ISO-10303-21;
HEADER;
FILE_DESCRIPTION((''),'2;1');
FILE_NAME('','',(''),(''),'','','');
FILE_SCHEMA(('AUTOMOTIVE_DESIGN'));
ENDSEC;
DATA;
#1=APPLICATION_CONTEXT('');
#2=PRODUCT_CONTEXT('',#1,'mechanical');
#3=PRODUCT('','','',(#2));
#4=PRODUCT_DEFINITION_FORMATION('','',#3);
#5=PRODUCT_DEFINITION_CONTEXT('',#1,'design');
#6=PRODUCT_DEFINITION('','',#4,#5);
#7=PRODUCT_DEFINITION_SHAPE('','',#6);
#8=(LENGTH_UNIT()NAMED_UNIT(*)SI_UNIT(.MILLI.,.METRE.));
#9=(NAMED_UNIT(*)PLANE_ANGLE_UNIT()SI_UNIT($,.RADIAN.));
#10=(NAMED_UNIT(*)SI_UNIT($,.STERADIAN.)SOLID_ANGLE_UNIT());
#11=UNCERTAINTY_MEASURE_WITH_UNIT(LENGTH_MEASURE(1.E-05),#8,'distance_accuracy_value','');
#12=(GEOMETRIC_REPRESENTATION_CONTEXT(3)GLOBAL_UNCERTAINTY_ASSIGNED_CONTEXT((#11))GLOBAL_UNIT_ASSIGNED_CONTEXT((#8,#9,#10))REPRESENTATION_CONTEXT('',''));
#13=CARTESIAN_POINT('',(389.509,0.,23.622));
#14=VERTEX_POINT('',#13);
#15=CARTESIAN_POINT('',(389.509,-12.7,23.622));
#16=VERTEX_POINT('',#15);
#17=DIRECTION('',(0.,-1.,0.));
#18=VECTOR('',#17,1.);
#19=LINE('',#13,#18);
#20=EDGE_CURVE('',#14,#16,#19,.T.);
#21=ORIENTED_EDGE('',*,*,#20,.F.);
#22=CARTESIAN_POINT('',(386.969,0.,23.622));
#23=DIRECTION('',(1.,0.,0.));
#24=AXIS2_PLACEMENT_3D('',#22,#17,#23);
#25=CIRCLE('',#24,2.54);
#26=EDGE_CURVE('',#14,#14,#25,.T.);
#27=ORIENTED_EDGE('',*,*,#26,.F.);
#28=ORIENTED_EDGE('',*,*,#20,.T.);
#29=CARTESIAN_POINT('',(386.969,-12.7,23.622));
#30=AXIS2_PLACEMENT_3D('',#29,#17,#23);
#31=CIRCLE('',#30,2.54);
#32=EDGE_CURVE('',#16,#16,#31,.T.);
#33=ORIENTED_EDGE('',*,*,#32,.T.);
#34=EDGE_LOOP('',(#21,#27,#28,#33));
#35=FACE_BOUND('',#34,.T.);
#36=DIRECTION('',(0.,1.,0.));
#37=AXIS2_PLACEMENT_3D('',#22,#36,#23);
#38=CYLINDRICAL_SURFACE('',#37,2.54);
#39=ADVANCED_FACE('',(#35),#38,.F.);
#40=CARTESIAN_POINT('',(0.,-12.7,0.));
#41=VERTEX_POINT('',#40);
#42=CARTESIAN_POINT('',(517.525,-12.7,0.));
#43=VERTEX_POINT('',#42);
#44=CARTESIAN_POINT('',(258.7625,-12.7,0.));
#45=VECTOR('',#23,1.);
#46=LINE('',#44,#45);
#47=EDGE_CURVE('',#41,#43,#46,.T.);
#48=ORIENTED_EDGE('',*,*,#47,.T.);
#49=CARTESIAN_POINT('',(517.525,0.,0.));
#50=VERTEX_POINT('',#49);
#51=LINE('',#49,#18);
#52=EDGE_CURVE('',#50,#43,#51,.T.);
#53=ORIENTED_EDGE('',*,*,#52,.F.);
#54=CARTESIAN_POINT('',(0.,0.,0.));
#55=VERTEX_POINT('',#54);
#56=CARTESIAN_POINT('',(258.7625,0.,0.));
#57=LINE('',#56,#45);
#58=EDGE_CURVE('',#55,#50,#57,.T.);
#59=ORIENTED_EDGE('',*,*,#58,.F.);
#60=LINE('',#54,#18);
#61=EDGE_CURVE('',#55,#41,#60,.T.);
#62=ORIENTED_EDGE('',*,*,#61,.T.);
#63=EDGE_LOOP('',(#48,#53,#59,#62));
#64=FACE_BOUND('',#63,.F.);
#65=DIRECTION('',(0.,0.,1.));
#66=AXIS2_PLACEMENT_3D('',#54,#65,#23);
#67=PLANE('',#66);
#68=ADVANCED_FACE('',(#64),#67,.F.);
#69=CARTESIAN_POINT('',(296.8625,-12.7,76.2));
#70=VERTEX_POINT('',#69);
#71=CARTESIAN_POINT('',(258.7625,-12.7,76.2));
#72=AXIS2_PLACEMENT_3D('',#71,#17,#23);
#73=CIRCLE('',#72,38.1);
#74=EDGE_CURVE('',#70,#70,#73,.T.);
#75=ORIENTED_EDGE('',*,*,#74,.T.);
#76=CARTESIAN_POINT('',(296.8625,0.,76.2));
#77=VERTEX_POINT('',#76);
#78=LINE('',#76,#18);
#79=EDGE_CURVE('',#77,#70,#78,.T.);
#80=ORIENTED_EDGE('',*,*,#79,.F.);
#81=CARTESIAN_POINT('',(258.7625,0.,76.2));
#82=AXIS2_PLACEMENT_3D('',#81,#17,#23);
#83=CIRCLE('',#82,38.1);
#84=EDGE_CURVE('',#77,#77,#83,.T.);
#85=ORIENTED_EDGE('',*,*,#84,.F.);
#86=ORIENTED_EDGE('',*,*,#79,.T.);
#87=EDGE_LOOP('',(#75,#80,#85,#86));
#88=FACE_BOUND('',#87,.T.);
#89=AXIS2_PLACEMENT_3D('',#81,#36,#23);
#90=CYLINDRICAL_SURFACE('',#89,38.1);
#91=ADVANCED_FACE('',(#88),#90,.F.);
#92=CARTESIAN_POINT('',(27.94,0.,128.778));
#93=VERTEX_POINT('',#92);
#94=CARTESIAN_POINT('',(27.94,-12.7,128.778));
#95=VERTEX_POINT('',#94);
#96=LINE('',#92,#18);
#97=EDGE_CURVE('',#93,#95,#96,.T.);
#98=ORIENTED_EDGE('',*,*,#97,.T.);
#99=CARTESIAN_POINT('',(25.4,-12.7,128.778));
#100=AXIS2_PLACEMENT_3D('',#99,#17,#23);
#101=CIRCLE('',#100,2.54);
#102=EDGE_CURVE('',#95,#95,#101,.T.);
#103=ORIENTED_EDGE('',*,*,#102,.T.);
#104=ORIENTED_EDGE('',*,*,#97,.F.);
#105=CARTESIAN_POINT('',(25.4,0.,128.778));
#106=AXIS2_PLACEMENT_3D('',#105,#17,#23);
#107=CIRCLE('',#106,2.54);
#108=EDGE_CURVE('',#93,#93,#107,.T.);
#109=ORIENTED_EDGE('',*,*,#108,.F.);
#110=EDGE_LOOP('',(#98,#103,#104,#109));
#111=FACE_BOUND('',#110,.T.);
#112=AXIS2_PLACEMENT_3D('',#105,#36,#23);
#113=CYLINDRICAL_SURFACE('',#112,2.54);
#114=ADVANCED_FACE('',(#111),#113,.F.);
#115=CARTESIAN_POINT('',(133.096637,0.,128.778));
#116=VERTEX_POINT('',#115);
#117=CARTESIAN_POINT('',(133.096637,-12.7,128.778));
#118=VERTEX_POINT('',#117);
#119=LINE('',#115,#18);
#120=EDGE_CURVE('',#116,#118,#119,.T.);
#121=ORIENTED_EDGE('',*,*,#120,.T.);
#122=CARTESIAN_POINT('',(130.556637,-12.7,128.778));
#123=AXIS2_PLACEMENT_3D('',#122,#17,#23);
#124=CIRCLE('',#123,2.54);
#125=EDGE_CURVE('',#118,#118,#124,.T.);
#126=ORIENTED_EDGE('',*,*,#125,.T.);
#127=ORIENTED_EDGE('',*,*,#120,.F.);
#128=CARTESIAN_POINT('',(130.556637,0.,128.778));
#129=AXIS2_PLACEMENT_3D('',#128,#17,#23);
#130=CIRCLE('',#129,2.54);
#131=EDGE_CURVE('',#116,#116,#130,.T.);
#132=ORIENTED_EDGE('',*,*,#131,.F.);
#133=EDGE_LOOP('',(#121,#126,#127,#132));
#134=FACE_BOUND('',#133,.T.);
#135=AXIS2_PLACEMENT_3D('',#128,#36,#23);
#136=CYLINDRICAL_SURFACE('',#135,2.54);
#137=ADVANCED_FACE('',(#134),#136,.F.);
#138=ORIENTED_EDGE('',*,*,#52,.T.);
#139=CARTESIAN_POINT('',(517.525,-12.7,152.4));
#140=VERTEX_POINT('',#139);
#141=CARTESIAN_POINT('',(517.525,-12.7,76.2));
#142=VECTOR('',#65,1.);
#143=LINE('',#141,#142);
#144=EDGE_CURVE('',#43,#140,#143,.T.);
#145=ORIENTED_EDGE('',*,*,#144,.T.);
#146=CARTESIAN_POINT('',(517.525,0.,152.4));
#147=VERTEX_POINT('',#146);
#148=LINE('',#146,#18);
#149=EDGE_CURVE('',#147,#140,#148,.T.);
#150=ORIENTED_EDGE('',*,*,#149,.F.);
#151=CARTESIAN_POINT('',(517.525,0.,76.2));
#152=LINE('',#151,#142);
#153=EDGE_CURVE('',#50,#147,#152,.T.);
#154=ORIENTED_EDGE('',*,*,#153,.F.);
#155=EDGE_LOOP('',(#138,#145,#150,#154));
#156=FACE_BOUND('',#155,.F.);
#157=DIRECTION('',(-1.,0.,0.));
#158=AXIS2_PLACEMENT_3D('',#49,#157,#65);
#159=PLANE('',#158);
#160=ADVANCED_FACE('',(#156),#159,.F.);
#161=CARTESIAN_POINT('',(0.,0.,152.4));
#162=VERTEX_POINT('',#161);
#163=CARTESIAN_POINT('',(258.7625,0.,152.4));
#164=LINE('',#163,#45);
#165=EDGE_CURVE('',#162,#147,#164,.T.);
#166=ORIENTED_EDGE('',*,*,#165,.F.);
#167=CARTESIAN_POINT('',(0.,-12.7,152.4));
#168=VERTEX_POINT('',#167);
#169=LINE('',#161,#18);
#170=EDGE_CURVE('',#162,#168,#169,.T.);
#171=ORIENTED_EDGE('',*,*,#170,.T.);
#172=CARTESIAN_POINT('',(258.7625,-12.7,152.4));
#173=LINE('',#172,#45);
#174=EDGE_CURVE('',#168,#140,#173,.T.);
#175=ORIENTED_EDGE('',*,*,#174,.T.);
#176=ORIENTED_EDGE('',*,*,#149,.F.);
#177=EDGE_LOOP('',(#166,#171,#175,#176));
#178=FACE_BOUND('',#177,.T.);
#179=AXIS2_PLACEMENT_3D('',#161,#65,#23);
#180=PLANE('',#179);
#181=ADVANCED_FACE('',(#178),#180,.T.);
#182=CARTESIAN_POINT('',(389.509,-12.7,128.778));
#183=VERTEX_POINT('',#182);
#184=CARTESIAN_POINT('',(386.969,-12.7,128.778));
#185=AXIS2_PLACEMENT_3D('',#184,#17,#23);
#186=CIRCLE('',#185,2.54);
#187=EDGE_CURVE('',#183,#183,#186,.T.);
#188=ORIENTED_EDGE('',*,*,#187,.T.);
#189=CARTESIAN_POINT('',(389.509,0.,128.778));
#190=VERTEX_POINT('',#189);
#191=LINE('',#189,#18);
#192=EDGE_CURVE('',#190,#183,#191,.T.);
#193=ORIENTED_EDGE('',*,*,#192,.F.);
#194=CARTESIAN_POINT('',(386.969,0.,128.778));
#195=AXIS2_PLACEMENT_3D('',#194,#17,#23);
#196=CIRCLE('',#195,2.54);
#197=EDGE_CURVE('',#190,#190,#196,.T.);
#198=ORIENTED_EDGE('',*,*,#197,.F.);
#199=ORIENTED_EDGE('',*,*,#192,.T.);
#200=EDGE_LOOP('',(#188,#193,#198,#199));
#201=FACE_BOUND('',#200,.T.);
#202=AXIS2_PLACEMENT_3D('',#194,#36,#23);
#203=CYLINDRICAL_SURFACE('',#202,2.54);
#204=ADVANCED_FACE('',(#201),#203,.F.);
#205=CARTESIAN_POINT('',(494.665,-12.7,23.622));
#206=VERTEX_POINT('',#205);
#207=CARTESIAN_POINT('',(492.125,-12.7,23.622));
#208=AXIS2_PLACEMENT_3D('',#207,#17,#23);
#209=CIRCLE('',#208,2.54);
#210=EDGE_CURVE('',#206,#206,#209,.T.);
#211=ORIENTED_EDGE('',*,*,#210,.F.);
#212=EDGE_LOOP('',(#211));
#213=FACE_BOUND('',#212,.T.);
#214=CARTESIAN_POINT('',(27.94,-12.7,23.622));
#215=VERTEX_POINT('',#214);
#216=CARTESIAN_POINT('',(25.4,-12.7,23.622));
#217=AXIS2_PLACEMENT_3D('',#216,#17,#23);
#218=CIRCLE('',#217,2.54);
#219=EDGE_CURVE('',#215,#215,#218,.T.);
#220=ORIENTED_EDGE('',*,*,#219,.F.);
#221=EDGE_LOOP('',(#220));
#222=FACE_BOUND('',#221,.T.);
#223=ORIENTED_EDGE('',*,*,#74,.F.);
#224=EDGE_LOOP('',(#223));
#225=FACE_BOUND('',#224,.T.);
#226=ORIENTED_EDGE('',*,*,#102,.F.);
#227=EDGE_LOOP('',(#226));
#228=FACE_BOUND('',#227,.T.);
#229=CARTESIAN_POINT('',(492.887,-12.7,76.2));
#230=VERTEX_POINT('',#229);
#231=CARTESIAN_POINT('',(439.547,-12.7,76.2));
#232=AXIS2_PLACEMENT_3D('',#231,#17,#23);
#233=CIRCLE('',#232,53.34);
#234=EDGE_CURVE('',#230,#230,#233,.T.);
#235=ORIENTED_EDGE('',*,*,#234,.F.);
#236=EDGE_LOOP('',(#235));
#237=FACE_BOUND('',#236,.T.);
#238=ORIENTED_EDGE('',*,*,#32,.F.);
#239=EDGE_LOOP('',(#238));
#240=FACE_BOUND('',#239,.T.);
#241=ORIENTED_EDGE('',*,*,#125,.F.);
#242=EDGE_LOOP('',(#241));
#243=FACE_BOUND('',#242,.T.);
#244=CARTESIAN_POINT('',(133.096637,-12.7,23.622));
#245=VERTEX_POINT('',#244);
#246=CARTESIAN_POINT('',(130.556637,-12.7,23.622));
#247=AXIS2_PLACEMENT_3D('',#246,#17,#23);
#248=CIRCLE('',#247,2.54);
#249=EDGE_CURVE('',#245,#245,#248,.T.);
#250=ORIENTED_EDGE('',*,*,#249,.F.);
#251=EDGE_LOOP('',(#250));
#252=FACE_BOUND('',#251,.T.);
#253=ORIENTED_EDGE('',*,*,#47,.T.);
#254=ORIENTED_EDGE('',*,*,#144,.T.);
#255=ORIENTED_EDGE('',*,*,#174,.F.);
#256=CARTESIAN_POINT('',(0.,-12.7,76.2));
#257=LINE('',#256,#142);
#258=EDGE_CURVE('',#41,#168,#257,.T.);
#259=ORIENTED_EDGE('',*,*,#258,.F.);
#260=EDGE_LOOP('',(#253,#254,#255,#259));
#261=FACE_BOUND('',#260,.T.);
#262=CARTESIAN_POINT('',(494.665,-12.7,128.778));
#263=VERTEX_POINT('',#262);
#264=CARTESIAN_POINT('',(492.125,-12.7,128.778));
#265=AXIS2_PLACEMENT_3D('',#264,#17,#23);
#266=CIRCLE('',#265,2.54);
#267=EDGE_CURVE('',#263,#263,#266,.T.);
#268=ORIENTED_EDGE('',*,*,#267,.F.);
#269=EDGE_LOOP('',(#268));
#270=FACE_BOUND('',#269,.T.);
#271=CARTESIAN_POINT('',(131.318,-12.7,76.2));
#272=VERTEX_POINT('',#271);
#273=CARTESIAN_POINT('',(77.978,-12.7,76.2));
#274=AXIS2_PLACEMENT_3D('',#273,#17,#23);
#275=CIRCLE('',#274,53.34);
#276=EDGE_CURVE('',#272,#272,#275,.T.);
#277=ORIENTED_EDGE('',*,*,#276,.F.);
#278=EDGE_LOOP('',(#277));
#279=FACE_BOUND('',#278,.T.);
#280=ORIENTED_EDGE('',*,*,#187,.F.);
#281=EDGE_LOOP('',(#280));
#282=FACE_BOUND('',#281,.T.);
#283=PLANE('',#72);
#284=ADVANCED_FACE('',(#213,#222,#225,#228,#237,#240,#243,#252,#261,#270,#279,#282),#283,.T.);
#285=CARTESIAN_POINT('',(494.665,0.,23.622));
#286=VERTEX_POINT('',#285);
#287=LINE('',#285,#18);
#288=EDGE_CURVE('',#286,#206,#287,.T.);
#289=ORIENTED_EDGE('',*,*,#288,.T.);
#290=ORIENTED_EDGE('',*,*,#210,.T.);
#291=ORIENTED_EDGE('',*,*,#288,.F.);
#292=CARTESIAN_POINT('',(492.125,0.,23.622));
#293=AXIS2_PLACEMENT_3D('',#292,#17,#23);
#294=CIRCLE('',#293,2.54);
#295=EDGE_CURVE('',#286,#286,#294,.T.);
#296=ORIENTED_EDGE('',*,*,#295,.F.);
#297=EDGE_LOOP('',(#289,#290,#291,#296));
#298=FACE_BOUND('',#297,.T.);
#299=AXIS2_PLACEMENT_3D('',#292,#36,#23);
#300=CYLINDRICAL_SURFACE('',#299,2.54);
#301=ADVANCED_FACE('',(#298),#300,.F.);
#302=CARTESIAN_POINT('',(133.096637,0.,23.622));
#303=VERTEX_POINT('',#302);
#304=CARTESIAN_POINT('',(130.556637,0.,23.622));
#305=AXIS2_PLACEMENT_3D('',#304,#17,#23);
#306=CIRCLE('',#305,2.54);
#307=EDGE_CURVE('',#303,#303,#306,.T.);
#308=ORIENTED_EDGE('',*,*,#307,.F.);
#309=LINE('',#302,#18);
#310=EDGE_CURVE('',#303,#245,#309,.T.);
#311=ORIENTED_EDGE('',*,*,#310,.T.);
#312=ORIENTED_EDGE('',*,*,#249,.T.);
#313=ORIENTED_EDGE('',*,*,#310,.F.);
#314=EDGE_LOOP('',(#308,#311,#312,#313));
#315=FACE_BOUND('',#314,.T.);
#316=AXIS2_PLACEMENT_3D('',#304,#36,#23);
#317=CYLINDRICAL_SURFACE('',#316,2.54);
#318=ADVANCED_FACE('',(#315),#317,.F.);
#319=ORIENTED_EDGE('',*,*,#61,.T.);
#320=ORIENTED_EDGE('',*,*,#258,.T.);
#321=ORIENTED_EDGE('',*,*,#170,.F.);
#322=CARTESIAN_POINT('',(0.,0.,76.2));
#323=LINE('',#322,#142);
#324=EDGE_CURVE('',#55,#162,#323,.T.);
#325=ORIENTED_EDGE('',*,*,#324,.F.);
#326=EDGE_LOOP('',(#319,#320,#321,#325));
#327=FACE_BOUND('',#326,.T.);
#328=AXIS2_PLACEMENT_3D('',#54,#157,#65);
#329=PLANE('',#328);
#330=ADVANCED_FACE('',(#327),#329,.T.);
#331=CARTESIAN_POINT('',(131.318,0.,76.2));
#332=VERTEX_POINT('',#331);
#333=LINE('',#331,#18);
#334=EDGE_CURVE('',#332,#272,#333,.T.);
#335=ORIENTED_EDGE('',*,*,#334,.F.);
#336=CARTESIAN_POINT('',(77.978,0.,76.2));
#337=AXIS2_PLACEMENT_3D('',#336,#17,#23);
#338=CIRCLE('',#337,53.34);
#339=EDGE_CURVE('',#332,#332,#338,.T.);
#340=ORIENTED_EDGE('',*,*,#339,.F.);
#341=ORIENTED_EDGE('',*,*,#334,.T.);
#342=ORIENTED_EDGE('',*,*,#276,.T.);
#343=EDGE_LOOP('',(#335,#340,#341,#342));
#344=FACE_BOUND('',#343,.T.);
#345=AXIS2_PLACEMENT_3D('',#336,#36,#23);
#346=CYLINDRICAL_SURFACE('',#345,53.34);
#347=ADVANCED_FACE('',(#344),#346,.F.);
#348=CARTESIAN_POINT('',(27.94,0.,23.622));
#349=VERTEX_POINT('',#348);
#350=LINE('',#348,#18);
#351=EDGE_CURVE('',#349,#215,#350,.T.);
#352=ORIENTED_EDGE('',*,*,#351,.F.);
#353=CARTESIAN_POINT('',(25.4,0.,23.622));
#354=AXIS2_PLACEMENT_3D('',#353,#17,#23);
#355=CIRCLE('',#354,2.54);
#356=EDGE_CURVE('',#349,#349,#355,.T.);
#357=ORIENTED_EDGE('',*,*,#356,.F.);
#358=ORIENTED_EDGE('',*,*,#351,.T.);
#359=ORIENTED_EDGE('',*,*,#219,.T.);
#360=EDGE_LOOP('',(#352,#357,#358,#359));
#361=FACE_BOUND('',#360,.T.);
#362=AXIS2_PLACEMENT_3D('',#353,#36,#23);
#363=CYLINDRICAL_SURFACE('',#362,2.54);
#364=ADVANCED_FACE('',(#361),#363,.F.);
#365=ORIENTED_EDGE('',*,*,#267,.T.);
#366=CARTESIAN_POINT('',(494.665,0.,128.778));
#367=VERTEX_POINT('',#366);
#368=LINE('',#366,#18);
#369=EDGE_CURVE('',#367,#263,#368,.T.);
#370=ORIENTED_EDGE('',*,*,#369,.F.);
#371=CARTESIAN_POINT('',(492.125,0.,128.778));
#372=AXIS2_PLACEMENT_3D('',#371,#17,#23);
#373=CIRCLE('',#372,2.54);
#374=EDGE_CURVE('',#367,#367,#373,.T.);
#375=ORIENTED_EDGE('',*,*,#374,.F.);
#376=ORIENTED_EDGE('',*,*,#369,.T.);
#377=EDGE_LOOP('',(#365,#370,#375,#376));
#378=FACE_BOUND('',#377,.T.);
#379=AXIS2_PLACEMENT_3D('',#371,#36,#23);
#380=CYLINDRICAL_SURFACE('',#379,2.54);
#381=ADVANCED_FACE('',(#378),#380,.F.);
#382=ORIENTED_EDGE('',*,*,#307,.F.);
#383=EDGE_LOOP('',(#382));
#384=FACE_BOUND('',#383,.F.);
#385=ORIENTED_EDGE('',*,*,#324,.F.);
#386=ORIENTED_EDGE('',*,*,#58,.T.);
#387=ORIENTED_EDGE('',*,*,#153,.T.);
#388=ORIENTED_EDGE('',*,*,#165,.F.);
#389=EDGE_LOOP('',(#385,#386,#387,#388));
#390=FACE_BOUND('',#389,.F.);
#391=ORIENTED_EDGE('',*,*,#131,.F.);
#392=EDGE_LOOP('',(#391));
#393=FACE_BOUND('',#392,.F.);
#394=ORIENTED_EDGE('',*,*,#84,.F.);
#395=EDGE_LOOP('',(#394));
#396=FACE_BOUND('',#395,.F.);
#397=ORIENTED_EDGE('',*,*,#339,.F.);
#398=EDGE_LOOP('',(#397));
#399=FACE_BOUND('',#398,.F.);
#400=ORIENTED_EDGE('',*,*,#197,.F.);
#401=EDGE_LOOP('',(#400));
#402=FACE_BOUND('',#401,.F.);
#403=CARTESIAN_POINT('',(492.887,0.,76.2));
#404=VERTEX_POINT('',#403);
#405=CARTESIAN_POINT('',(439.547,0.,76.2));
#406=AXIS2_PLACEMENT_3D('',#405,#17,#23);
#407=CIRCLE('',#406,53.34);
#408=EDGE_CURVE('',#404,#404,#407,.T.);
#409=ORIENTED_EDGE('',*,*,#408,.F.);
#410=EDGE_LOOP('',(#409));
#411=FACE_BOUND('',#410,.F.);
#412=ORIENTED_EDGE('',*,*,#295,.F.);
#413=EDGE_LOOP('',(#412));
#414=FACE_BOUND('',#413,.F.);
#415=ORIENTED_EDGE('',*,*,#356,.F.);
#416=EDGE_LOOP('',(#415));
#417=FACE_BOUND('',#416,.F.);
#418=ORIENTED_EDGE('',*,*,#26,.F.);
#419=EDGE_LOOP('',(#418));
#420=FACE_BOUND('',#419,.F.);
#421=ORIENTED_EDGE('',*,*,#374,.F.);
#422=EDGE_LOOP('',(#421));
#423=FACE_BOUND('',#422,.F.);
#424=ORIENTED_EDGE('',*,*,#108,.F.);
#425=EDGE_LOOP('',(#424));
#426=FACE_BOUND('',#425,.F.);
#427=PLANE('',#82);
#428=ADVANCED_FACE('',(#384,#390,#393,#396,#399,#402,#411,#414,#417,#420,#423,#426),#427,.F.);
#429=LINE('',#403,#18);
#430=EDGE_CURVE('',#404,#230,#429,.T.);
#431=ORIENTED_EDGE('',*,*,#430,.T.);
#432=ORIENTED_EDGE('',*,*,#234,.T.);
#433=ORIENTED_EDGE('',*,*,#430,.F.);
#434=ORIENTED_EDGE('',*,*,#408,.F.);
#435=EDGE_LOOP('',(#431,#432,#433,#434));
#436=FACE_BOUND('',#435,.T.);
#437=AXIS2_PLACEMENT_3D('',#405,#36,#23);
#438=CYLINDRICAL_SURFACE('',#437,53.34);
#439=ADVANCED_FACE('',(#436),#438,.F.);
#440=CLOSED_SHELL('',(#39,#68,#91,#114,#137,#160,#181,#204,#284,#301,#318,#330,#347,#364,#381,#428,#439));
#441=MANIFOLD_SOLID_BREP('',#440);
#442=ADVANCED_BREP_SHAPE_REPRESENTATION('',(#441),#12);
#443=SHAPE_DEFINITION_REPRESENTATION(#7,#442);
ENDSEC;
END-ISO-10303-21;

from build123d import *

# Parameters (mm, degrees)
F0_W     = 517.525
F0_H     = 152.4
F0_R     = 2.54
F0_R_2   = 53.34
F0_R_3   = 38.1
F1_DEPTH = 12.7


with BuildPart() as f1:
    # F0 (on Front) → F1 (new body)
    with BuildSketch(Plane.XZ):
        with Locations((258.7625, 76.2)):
            Rectangle(F0_W, F0_H)
        with Locations((25.4, 23.622)):
            Circle(F0_R, mode=Mode.SUBTRACT)
        with Locations((130.556637, 23.622)):
            Circle(F0_R, mode=Mode.SUBTRACT)
        with Locations((386.969, 23.622)):
            Circle(F0_R, mode=Mode.SUBTRACT)
        with Locations((492.125, 23.622)):
            Circle(F0_R, mode=Mode.SUBTRACT)
        with Locations((77.978, 76.2)):
            Circle(F0_R_2, mode=Mode.SUBTRACT)
        with Locations((25.4, 128.778)):
            Circle(F0_R, mode=Mode.SUBTRACT)
        with Locations((130.556637, 128.778)):
            Circle(F0_R, mode=Mode.SUBTRACT)
        with Locations((258.7625, 76.2)):
            Circle(F0_R_3, mode=Mode.SUBTRACT)
        with Locations((439.547, 76.2)):
            Circle(F0_R_2, mode=Mode.SUBTRACT)
        with Locations((386.969, 128.778)):
            Circle(F0_R, mode=Mode.SUBTRACT)
        with Locations((492.125, 128.778)):
            Circle(F0_R, mode=Mode.SUBTRACT)
    extrude(amount=F1_DEPTH)


solid = f1.part
